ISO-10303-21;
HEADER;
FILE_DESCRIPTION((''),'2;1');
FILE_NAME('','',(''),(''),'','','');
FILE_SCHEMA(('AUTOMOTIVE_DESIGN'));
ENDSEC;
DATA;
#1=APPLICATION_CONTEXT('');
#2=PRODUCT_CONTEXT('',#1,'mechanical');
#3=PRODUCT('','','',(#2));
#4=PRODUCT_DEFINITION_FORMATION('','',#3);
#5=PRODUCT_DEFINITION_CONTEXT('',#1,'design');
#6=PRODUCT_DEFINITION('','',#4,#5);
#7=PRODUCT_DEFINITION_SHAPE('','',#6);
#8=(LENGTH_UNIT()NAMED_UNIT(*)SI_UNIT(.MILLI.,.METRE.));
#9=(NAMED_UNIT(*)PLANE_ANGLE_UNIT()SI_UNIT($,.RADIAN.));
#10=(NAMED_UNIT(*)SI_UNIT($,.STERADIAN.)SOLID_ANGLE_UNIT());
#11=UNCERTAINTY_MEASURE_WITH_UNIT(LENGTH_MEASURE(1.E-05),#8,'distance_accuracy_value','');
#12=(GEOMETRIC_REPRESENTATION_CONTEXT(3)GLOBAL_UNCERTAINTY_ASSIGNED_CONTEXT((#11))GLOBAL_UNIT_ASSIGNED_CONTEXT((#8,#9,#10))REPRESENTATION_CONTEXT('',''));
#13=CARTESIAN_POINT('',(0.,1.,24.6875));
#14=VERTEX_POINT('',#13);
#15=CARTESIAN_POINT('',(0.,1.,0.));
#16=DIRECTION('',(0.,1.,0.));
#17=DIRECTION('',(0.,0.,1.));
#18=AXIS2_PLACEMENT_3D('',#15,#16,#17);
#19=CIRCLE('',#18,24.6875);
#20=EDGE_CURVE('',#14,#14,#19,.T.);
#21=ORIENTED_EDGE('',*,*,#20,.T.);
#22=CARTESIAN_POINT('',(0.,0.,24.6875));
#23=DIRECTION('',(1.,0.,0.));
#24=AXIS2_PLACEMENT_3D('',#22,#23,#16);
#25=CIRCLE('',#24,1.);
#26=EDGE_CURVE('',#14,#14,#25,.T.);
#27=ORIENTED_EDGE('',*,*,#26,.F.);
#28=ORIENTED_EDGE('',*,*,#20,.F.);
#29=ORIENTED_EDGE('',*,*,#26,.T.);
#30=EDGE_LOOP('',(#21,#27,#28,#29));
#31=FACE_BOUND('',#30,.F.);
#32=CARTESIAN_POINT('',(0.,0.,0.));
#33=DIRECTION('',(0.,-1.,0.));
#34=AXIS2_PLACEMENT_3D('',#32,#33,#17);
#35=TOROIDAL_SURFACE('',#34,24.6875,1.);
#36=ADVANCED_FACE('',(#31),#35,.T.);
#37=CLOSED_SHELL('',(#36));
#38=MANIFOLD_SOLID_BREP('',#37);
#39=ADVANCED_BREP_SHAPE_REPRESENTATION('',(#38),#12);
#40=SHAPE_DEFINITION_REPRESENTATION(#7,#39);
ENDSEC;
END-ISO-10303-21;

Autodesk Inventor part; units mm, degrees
ref_plane "YZ Plane" through (0, 0, 0) normal (1, 0, 0) x (0, 1, 0)
ref_plane "XZ Plane" through (0, 0, 0) normal (0, 1, 0) x (-1, 0, 0)
ref_plane "XY Plane" through (0, 0, 0) normal (0, 0, 1) x (1, 0, 0)
sketch "Sketch1" plane through (0, 0, 0) normal (1, 0, 0) x (0, 1, 0)
  circle A0 centre (0, 24.6875) radius 1
  line L0 (0, 0) -> (7.4046, 0)
  dimension "d0" = 2
  dimension "d1" = 49.375
revolve "Revolution1" add sketch "Sketch1" angle 360 about axis through (0, 0, 0) along (0, 1, 0)
properties part number "O_RING" material "Rubber"
